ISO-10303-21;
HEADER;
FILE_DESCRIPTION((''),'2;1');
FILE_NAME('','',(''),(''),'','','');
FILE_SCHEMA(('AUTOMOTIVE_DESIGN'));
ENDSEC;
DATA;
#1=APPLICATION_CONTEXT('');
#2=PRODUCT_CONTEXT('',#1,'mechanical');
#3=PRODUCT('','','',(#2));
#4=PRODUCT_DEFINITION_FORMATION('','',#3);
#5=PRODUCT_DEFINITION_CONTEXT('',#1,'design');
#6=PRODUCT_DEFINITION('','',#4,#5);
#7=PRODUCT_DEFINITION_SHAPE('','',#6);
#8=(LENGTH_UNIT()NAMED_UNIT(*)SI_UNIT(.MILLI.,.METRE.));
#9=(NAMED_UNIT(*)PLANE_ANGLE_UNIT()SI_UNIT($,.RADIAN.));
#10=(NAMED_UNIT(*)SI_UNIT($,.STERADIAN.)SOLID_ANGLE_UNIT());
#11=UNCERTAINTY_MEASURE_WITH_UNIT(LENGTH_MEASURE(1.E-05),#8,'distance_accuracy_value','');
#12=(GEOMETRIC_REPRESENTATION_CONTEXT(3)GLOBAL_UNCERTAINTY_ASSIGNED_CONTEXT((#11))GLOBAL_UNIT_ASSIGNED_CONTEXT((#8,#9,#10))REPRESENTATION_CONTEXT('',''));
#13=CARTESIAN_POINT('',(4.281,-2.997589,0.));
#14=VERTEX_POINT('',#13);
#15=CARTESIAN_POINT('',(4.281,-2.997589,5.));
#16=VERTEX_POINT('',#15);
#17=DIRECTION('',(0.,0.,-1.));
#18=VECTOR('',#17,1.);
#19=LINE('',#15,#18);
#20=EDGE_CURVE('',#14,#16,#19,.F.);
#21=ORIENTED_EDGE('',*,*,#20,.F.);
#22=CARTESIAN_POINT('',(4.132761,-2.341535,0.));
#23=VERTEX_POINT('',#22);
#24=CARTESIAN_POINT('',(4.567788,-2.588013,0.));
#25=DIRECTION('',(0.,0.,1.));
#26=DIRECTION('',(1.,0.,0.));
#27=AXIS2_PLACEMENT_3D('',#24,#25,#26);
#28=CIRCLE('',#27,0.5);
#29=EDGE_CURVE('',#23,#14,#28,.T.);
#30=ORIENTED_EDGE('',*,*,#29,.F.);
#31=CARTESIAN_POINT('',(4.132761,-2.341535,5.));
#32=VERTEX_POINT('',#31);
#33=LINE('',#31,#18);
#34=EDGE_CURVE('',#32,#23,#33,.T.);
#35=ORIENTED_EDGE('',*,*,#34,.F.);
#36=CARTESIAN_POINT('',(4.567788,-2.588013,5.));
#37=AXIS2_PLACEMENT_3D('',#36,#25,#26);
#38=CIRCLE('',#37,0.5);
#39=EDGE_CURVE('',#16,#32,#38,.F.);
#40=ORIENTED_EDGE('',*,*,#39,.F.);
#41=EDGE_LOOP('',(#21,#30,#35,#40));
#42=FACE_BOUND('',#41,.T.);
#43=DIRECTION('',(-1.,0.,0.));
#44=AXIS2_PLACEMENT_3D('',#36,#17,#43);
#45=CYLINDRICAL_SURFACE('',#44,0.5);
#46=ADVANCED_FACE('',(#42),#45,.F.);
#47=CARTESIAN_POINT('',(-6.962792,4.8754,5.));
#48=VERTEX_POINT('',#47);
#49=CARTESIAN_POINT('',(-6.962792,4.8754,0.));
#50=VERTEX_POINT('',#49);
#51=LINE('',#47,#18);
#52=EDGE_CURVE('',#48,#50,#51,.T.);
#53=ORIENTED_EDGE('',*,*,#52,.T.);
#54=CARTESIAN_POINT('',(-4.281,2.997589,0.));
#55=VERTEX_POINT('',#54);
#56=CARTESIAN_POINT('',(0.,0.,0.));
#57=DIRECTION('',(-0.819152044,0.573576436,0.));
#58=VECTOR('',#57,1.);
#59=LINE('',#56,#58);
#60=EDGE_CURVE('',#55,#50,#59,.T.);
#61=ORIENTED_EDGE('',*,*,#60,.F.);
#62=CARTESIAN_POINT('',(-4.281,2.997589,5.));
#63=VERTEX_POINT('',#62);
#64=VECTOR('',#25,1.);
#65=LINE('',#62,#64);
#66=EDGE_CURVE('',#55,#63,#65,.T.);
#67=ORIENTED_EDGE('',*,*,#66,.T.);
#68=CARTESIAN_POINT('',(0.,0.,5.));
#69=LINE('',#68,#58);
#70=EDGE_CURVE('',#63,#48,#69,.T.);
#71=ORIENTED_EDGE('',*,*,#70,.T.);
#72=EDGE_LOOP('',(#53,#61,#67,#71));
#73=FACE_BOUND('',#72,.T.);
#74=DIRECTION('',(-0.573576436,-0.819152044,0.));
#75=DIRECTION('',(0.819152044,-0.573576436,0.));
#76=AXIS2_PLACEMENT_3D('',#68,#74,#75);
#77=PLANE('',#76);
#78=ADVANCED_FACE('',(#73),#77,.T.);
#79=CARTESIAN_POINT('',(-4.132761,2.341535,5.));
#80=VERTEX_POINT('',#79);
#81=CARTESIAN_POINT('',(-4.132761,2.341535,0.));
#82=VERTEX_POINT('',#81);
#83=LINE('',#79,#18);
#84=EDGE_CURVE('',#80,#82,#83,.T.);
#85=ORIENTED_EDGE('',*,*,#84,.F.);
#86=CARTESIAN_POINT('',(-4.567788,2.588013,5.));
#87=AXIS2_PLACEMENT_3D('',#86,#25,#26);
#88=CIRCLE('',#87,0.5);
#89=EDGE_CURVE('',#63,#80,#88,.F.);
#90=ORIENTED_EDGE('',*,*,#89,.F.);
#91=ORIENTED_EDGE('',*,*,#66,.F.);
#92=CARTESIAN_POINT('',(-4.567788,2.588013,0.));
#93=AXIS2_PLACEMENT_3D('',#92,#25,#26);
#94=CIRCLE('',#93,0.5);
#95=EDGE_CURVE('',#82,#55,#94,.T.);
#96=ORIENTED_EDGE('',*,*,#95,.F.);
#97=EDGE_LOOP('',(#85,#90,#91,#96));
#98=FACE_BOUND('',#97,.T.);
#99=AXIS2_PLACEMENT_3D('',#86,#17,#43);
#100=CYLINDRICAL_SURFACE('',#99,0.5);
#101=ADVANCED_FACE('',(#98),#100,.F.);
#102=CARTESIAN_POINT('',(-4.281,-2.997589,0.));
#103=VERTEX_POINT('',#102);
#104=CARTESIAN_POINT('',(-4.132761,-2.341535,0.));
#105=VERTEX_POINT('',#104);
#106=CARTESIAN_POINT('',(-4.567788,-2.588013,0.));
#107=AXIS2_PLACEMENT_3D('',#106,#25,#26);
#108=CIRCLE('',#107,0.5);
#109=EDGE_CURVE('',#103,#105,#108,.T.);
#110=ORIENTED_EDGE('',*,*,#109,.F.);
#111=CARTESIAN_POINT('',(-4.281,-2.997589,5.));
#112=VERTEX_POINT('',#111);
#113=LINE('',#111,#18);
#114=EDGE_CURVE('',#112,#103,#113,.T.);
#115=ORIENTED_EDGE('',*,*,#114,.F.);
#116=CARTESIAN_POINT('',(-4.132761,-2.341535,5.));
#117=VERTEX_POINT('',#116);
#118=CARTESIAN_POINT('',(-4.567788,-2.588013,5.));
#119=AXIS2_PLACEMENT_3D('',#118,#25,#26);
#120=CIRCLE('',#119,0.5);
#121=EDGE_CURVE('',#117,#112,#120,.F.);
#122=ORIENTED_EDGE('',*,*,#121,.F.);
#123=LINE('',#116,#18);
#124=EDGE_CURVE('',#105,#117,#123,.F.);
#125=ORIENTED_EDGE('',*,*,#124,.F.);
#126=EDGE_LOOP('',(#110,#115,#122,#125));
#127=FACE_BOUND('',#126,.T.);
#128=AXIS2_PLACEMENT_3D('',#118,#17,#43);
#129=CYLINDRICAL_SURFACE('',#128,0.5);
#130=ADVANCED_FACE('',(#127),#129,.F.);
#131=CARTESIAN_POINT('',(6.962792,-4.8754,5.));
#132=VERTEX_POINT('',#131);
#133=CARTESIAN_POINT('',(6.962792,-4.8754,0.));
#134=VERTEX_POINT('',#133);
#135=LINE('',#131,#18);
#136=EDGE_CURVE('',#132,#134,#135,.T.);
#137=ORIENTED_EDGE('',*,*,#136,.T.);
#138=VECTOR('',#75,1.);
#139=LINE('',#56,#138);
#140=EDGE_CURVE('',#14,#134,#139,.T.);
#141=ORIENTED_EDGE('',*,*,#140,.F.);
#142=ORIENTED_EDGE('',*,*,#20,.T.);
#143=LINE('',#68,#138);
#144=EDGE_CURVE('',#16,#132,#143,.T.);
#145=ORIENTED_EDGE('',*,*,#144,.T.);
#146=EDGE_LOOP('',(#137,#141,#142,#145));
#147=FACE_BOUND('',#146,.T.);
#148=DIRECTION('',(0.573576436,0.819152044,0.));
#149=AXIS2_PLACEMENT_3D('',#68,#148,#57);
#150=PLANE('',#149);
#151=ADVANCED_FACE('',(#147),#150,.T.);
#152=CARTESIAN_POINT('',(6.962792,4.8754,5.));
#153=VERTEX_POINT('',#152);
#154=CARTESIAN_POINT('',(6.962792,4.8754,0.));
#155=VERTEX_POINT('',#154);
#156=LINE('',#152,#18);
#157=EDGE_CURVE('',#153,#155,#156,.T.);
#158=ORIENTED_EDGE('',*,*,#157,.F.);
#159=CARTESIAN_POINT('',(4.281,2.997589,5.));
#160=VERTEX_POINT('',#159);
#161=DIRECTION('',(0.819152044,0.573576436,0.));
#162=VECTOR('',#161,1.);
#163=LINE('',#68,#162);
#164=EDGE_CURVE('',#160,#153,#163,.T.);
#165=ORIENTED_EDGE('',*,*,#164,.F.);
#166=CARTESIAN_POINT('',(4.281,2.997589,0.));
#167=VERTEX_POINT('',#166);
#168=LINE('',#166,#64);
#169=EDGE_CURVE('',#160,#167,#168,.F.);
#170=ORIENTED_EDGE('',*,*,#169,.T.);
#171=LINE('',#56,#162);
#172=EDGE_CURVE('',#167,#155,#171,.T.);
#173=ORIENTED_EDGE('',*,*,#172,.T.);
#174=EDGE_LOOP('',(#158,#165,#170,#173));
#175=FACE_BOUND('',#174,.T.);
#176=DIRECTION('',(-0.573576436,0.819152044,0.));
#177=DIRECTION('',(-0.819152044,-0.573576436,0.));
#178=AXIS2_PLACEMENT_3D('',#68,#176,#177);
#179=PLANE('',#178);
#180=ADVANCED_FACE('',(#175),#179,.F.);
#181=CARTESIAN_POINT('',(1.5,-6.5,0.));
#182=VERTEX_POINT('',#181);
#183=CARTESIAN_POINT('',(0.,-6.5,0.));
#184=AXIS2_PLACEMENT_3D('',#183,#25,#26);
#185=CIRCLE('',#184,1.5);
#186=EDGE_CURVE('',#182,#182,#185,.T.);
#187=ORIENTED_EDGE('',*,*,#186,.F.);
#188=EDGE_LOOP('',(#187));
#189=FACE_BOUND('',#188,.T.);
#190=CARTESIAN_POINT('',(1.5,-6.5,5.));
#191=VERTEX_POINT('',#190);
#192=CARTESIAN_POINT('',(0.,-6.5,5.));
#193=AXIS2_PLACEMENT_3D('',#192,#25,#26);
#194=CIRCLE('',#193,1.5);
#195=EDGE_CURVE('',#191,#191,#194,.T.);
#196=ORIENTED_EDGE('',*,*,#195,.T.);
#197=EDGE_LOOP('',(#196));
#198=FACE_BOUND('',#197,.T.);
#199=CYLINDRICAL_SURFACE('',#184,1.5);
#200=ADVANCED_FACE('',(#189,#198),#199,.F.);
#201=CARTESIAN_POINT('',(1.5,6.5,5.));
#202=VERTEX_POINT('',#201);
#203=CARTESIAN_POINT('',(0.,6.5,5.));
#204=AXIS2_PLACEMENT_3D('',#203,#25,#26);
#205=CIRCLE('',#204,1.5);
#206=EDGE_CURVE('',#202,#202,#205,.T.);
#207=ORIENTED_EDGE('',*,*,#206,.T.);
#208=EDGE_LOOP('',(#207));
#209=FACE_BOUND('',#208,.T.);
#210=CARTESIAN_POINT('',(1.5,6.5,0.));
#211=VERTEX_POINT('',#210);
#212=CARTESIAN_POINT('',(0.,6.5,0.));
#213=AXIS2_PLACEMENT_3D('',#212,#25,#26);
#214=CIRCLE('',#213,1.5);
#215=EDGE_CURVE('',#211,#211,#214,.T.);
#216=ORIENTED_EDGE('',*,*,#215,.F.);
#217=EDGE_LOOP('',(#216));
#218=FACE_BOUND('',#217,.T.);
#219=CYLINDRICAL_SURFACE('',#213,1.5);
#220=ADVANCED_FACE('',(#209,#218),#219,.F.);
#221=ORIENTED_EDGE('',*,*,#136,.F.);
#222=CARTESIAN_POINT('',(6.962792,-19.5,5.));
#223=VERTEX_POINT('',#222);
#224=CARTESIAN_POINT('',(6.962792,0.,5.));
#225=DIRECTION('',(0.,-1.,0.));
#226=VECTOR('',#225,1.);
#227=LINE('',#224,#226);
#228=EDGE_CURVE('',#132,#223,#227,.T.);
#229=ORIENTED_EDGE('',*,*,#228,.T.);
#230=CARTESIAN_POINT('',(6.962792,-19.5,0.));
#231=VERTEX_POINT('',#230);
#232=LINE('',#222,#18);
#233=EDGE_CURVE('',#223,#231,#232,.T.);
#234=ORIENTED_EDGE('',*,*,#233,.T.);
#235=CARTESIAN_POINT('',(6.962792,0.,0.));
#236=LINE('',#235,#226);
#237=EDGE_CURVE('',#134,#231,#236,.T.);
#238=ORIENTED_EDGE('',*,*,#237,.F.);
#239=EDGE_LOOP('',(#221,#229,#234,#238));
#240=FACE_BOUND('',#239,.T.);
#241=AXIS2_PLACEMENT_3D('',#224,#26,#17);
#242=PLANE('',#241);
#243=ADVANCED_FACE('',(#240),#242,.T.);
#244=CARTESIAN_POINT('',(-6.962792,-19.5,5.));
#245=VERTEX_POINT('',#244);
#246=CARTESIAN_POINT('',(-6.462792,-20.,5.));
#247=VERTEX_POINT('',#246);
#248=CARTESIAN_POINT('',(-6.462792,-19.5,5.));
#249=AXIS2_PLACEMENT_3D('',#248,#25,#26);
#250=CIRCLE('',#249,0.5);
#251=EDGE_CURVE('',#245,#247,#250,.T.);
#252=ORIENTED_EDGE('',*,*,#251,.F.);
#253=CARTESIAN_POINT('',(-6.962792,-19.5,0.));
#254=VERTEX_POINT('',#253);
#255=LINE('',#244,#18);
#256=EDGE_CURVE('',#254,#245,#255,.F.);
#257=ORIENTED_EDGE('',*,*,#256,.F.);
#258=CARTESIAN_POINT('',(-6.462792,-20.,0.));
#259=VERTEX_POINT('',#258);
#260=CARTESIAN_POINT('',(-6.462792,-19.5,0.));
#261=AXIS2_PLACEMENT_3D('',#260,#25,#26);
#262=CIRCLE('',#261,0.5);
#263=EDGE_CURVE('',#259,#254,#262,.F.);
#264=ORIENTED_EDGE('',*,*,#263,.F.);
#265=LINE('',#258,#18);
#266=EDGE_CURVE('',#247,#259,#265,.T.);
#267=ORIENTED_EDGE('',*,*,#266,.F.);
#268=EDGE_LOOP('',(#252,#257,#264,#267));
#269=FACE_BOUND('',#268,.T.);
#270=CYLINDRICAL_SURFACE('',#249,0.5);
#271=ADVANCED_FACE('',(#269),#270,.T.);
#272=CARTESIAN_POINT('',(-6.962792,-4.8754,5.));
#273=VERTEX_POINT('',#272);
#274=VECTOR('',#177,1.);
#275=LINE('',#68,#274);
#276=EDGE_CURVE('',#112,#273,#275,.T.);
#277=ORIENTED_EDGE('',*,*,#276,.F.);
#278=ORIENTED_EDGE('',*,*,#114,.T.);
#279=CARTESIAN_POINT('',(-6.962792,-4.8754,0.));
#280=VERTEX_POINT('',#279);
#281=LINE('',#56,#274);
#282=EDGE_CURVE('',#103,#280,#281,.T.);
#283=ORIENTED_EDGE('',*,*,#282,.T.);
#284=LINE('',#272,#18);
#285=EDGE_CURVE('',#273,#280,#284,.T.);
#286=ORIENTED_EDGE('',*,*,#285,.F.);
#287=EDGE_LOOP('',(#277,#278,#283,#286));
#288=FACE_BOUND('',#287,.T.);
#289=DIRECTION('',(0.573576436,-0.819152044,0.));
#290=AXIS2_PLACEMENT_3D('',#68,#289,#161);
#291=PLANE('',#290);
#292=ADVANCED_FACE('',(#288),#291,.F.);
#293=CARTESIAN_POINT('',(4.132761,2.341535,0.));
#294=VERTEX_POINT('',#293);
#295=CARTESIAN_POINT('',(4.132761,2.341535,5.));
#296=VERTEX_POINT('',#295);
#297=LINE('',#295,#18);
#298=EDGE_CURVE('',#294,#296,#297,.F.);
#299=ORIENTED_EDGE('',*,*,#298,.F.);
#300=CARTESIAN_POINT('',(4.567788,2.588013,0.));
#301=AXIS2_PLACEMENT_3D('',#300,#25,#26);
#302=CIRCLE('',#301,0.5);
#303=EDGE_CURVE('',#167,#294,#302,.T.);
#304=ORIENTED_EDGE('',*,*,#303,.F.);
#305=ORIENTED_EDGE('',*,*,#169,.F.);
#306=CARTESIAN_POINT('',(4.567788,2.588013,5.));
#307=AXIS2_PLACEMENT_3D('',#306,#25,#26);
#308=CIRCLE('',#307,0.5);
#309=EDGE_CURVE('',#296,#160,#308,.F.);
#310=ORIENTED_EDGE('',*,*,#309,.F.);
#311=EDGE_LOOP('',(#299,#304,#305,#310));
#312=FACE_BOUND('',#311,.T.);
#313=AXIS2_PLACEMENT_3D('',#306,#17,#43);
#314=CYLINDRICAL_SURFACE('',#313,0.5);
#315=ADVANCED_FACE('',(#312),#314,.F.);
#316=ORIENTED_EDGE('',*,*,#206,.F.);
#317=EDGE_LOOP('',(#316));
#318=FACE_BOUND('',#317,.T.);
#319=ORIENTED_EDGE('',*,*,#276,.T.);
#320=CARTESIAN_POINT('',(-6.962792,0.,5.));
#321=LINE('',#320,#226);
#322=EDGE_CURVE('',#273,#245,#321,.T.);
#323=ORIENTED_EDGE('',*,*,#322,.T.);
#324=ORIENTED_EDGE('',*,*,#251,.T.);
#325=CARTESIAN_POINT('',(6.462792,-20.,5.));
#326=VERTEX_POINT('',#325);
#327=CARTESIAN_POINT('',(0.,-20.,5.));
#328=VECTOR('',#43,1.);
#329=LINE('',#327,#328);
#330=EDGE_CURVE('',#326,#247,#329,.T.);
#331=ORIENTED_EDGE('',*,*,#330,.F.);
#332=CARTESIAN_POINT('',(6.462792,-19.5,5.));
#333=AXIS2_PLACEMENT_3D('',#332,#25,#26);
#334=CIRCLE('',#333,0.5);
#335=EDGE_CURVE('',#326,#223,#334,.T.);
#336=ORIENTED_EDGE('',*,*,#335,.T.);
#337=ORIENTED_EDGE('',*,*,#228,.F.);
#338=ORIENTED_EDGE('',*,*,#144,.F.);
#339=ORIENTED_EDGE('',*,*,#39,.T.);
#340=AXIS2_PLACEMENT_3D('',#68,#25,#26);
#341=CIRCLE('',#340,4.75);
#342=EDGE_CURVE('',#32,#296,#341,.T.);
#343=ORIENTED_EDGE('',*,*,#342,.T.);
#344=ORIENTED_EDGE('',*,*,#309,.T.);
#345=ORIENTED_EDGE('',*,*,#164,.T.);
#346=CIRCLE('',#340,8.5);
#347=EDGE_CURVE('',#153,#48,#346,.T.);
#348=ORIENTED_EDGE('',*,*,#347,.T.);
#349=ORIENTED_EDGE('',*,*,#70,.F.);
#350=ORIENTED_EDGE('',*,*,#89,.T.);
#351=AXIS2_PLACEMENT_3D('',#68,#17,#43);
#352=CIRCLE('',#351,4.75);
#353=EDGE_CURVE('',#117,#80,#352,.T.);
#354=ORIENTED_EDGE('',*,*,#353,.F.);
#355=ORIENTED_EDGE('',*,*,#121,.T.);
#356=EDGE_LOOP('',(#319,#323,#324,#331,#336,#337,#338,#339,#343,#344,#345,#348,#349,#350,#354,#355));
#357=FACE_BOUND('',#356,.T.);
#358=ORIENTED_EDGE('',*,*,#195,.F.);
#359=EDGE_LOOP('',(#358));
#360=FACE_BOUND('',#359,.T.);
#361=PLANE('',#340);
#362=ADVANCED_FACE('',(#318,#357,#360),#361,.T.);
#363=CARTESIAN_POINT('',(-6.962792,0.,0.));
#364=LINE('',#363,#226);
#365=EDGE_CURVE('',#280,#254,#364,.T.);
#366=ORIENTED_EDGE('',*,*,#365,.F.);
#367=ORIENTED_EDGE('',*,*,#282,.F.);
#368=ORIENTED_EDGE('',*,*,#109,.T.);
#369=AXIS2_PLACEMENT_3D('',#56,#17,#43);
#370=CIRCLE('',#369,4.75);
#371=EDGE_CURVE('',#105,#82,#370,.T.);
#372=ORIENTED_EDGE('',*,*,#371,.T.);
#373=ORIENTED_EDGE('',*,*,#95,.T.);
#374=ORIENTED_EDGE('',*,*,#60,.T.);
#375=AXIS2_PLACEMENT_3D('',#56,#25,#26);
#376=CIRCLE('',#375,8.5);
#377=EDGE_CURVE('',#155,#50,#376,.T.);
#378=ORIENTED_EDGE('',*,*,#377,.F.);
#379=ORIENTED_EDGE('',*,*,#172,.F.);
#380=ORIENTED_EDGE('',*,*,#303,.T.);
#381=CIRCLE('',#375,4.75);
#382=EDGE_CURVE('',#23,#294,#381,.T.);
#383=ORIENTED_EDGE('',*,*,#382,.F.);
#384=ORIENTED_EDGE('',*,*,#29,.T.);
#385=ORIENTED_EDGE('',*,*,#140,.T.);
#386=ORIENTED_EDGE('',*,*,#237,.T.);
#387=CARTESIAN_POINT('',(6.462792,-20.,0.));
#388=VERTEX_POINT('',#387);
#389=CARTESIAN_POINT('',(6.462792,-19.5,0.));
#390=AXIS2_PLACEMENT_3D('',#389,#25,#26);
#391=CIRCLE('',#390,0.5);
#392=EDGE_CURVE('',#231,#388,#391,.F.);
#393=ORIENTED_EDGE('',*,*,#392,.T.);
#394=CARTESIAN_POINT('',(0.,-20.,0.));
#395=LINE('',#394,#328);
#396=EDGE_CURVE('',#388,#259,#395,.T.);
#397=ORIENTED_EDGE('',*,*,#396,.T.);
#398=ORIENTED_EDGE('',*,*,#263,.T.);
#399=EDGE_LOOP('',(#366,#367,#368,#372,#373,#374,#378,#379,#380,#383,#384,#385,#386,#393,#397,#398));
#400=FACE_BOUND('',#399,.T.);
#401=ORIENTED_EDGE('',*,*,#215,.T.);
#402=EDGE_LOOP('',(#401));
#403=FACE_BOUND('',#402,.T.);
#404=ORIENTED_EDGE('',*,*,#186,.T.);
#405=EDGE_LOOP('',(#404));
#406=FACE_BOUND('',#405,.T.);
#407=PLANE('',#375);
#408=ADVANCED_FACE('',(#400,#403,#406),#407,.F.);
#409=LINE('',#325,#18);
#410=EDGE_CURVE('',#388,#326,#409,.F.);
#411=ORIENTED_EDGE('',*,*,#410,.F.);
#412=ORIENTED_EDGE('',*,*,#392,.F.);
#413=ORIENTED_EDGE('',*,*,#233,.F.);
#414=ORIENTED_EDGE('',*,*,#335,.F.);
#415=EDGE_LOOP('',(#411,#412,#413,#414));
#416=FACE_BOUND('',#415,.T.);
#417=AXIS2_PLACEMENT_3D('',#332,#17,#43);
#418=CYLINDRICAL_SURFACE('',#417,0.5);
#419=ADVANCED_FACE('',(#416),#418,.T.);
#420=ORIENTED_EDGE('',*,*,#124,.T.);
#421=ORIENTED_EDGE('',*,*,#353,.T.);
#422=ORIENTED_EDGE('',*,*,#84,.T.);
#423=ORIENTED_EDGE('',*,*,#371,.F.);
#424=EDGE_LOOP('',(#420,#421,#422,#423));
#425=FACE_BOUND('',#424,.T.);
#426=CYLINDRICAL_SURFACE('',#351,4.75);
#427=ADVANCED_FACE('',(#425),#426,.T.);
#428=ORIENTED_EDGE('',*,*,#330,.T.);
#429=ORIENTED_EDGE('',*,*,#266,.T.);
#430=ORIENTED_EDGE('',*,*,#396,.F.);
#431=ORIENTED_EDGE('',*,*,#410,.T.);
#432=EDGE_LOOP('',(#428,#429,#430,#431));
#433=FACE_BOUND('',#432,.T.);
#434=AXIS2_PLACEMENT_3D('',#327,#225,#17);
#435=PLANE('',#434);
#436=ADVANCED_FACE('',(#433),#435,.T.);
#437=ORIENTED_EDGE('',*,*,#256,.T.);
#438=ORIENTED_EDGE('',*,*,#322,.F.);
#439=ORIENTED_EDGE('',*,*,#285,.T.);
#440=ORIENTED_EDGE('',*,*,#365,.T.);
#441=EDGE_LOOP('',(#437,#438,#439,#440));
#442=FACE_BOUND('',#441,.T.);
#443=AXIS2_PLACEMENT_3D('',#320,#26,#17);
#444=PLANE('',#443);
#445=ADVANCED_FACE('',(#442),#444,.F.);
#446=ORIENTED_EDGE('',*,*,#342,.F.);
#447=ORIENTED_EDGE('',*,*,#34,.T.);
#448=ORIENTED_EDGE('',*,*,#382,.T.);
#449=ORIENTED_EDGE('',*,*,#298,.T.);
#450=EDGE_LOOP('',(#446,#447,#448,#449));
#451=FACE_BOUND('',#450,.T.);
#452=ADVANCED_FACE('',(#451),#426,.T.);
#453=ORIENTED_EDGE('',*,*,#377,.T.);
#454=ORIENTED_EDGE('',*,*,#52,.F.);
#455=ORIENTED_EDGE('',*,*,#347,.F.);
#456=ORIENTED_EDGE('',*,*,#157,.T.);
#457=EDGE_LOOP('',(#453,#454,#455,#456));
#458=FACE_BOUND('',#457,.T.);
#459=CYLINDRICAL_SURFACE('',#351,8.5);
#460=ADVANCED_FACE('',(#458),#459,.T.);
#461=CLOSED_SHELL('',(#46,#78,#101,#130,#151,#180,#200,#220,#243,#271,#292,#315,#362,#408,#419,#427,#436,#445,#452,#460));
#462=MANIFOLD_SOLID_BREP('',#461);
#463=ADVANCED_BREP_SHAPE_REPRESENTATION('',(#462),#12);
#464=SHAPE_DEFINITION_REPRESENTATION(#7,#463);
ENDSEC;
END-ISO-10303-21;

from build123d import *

# Parameters (mm, degrees)
SKETCH_1_R          = 8.5
EXTRUDE_1_DEPTH     = 5
SKETCH_2_R          = 1.5
CUT_EXTRUDE_1_DEPTH = 5
CUT_EXTRUDE_2_DEPTH = 6
EXTRUDE_2_DEPTH     = 5
FILLET_1_R          = 0.5
FILLET_2_R          = 0.5


with BuildPart() as part:
    # 草图1 → 凸台-拉伸1 (new body)
    with BuildSketch(Plane.XY):
        Circle(SKETCH_1_R)
    extrude(amount=EXTRUDE_1_DEPTH)

    # 草图2 → 切除-拉伸1 (cut)
    with BuildSketch(Plane.XY.offset(5)):
        with Locations((0, 6.5)):
            Circle(SKETCH_2_R)
        with Locations((0, -6.5)):
            Circle(SKETCH_2_R)
    extrude(amount=-CUT_EXTRUDE_1_DEPTH, mode=Mode.SUBTRACT)

    # 草图3 → 切除-拉伸2 (cut, through all)
    with BuildSketch(Plane(origin=(0, 0, 0), x_dir=(-1, 0, 0), z_dir=(0, 0, -1))):
        with BuildLine():
            Line((6.962792376, 4.875399709), (3.89097221, 2.724488073))
            ThreePointArc((3.89097221, 2.724488073), (4.530155516, 1.428352548), (4.75, 0))
            ThreePointArc((4.75, 0), (4.530155516, -1.428352548), (3.89097221, -2.724488073))
            Line((3.89097221, -2.724488073), (6.962792376, -4.875399709))
            ThreePointArc((6.962792376, -4.875399709), (8.106594081, -2.555999296), (8.5, 0))
            ThreePointArc((8.5, 0), (8.106594081, 2.555999296), (6.962792376, 4.875399709))
        make_face()
    cut_extrude_2 = extrude(amount=-CUT_EXTRUDE_2_DEPTH, mode=Mode.SUBTRACT)

    # 镜向1: 切除-拉伸2 across plane
    add(cut_extrude_2.mirror(Plane(origin=(0, 0, 0), x_dir=(0, 0, 1), z_dir=(1, 0, 0))), mode=Mode.SUBTRACT)


with BuildPart() as body_2:
    # 草图4 → 凸台-拉伸2 (new body)
    with BuildSketch(Plane(origin=(0, 0, 0), x_dir=(-1, 0, 0), z_dir=(0, 0, -1))):
        with BuildLine():
            ThreePointArc((6.962792376, -4.875399709), (0, -8.5), (-6.962792376, -4.875399709))
            Line((-6.962792376, -4.875399709), (-6.962792376, -20))
            Line((-6.962792376, -20), (6.962792376, -20))
            Line((6.962792376, -20), (6.962792376, -4.875399709))
        make_face()
    extrude(amount=-EXTRUDE_2_DEPTH)


with BuildPart() as part_1:
    add(part.part)

    # Combine 1: union body 2
    add(body_2.part)

    # 圆角1
    fillet_1_edges = [part_1.edges().sort_by_distance(p)[0] for p in [
        (-3.89097221, -2.724488073, 2.5),
        (-3.89097221, 2.724488073, 2.5),
        (3.89097221, 2.724488073, 2.5),
        (3.89097221, -2.724488073, 2.5),
    ]]
    fillet(fillet_1_edges, radius=FILLET_1_R)

    # 圆角2
    fillet_2_edges = [part_1.edges().sort_by_distance(p)[0] for p in [
        (-6.962792376, -20, 2.5),
        (6.962792376, -20, 2.5),
    ]]
    fillet(fillet_2_edges, radius=FILLET_2_R)


solid = part_1.part
